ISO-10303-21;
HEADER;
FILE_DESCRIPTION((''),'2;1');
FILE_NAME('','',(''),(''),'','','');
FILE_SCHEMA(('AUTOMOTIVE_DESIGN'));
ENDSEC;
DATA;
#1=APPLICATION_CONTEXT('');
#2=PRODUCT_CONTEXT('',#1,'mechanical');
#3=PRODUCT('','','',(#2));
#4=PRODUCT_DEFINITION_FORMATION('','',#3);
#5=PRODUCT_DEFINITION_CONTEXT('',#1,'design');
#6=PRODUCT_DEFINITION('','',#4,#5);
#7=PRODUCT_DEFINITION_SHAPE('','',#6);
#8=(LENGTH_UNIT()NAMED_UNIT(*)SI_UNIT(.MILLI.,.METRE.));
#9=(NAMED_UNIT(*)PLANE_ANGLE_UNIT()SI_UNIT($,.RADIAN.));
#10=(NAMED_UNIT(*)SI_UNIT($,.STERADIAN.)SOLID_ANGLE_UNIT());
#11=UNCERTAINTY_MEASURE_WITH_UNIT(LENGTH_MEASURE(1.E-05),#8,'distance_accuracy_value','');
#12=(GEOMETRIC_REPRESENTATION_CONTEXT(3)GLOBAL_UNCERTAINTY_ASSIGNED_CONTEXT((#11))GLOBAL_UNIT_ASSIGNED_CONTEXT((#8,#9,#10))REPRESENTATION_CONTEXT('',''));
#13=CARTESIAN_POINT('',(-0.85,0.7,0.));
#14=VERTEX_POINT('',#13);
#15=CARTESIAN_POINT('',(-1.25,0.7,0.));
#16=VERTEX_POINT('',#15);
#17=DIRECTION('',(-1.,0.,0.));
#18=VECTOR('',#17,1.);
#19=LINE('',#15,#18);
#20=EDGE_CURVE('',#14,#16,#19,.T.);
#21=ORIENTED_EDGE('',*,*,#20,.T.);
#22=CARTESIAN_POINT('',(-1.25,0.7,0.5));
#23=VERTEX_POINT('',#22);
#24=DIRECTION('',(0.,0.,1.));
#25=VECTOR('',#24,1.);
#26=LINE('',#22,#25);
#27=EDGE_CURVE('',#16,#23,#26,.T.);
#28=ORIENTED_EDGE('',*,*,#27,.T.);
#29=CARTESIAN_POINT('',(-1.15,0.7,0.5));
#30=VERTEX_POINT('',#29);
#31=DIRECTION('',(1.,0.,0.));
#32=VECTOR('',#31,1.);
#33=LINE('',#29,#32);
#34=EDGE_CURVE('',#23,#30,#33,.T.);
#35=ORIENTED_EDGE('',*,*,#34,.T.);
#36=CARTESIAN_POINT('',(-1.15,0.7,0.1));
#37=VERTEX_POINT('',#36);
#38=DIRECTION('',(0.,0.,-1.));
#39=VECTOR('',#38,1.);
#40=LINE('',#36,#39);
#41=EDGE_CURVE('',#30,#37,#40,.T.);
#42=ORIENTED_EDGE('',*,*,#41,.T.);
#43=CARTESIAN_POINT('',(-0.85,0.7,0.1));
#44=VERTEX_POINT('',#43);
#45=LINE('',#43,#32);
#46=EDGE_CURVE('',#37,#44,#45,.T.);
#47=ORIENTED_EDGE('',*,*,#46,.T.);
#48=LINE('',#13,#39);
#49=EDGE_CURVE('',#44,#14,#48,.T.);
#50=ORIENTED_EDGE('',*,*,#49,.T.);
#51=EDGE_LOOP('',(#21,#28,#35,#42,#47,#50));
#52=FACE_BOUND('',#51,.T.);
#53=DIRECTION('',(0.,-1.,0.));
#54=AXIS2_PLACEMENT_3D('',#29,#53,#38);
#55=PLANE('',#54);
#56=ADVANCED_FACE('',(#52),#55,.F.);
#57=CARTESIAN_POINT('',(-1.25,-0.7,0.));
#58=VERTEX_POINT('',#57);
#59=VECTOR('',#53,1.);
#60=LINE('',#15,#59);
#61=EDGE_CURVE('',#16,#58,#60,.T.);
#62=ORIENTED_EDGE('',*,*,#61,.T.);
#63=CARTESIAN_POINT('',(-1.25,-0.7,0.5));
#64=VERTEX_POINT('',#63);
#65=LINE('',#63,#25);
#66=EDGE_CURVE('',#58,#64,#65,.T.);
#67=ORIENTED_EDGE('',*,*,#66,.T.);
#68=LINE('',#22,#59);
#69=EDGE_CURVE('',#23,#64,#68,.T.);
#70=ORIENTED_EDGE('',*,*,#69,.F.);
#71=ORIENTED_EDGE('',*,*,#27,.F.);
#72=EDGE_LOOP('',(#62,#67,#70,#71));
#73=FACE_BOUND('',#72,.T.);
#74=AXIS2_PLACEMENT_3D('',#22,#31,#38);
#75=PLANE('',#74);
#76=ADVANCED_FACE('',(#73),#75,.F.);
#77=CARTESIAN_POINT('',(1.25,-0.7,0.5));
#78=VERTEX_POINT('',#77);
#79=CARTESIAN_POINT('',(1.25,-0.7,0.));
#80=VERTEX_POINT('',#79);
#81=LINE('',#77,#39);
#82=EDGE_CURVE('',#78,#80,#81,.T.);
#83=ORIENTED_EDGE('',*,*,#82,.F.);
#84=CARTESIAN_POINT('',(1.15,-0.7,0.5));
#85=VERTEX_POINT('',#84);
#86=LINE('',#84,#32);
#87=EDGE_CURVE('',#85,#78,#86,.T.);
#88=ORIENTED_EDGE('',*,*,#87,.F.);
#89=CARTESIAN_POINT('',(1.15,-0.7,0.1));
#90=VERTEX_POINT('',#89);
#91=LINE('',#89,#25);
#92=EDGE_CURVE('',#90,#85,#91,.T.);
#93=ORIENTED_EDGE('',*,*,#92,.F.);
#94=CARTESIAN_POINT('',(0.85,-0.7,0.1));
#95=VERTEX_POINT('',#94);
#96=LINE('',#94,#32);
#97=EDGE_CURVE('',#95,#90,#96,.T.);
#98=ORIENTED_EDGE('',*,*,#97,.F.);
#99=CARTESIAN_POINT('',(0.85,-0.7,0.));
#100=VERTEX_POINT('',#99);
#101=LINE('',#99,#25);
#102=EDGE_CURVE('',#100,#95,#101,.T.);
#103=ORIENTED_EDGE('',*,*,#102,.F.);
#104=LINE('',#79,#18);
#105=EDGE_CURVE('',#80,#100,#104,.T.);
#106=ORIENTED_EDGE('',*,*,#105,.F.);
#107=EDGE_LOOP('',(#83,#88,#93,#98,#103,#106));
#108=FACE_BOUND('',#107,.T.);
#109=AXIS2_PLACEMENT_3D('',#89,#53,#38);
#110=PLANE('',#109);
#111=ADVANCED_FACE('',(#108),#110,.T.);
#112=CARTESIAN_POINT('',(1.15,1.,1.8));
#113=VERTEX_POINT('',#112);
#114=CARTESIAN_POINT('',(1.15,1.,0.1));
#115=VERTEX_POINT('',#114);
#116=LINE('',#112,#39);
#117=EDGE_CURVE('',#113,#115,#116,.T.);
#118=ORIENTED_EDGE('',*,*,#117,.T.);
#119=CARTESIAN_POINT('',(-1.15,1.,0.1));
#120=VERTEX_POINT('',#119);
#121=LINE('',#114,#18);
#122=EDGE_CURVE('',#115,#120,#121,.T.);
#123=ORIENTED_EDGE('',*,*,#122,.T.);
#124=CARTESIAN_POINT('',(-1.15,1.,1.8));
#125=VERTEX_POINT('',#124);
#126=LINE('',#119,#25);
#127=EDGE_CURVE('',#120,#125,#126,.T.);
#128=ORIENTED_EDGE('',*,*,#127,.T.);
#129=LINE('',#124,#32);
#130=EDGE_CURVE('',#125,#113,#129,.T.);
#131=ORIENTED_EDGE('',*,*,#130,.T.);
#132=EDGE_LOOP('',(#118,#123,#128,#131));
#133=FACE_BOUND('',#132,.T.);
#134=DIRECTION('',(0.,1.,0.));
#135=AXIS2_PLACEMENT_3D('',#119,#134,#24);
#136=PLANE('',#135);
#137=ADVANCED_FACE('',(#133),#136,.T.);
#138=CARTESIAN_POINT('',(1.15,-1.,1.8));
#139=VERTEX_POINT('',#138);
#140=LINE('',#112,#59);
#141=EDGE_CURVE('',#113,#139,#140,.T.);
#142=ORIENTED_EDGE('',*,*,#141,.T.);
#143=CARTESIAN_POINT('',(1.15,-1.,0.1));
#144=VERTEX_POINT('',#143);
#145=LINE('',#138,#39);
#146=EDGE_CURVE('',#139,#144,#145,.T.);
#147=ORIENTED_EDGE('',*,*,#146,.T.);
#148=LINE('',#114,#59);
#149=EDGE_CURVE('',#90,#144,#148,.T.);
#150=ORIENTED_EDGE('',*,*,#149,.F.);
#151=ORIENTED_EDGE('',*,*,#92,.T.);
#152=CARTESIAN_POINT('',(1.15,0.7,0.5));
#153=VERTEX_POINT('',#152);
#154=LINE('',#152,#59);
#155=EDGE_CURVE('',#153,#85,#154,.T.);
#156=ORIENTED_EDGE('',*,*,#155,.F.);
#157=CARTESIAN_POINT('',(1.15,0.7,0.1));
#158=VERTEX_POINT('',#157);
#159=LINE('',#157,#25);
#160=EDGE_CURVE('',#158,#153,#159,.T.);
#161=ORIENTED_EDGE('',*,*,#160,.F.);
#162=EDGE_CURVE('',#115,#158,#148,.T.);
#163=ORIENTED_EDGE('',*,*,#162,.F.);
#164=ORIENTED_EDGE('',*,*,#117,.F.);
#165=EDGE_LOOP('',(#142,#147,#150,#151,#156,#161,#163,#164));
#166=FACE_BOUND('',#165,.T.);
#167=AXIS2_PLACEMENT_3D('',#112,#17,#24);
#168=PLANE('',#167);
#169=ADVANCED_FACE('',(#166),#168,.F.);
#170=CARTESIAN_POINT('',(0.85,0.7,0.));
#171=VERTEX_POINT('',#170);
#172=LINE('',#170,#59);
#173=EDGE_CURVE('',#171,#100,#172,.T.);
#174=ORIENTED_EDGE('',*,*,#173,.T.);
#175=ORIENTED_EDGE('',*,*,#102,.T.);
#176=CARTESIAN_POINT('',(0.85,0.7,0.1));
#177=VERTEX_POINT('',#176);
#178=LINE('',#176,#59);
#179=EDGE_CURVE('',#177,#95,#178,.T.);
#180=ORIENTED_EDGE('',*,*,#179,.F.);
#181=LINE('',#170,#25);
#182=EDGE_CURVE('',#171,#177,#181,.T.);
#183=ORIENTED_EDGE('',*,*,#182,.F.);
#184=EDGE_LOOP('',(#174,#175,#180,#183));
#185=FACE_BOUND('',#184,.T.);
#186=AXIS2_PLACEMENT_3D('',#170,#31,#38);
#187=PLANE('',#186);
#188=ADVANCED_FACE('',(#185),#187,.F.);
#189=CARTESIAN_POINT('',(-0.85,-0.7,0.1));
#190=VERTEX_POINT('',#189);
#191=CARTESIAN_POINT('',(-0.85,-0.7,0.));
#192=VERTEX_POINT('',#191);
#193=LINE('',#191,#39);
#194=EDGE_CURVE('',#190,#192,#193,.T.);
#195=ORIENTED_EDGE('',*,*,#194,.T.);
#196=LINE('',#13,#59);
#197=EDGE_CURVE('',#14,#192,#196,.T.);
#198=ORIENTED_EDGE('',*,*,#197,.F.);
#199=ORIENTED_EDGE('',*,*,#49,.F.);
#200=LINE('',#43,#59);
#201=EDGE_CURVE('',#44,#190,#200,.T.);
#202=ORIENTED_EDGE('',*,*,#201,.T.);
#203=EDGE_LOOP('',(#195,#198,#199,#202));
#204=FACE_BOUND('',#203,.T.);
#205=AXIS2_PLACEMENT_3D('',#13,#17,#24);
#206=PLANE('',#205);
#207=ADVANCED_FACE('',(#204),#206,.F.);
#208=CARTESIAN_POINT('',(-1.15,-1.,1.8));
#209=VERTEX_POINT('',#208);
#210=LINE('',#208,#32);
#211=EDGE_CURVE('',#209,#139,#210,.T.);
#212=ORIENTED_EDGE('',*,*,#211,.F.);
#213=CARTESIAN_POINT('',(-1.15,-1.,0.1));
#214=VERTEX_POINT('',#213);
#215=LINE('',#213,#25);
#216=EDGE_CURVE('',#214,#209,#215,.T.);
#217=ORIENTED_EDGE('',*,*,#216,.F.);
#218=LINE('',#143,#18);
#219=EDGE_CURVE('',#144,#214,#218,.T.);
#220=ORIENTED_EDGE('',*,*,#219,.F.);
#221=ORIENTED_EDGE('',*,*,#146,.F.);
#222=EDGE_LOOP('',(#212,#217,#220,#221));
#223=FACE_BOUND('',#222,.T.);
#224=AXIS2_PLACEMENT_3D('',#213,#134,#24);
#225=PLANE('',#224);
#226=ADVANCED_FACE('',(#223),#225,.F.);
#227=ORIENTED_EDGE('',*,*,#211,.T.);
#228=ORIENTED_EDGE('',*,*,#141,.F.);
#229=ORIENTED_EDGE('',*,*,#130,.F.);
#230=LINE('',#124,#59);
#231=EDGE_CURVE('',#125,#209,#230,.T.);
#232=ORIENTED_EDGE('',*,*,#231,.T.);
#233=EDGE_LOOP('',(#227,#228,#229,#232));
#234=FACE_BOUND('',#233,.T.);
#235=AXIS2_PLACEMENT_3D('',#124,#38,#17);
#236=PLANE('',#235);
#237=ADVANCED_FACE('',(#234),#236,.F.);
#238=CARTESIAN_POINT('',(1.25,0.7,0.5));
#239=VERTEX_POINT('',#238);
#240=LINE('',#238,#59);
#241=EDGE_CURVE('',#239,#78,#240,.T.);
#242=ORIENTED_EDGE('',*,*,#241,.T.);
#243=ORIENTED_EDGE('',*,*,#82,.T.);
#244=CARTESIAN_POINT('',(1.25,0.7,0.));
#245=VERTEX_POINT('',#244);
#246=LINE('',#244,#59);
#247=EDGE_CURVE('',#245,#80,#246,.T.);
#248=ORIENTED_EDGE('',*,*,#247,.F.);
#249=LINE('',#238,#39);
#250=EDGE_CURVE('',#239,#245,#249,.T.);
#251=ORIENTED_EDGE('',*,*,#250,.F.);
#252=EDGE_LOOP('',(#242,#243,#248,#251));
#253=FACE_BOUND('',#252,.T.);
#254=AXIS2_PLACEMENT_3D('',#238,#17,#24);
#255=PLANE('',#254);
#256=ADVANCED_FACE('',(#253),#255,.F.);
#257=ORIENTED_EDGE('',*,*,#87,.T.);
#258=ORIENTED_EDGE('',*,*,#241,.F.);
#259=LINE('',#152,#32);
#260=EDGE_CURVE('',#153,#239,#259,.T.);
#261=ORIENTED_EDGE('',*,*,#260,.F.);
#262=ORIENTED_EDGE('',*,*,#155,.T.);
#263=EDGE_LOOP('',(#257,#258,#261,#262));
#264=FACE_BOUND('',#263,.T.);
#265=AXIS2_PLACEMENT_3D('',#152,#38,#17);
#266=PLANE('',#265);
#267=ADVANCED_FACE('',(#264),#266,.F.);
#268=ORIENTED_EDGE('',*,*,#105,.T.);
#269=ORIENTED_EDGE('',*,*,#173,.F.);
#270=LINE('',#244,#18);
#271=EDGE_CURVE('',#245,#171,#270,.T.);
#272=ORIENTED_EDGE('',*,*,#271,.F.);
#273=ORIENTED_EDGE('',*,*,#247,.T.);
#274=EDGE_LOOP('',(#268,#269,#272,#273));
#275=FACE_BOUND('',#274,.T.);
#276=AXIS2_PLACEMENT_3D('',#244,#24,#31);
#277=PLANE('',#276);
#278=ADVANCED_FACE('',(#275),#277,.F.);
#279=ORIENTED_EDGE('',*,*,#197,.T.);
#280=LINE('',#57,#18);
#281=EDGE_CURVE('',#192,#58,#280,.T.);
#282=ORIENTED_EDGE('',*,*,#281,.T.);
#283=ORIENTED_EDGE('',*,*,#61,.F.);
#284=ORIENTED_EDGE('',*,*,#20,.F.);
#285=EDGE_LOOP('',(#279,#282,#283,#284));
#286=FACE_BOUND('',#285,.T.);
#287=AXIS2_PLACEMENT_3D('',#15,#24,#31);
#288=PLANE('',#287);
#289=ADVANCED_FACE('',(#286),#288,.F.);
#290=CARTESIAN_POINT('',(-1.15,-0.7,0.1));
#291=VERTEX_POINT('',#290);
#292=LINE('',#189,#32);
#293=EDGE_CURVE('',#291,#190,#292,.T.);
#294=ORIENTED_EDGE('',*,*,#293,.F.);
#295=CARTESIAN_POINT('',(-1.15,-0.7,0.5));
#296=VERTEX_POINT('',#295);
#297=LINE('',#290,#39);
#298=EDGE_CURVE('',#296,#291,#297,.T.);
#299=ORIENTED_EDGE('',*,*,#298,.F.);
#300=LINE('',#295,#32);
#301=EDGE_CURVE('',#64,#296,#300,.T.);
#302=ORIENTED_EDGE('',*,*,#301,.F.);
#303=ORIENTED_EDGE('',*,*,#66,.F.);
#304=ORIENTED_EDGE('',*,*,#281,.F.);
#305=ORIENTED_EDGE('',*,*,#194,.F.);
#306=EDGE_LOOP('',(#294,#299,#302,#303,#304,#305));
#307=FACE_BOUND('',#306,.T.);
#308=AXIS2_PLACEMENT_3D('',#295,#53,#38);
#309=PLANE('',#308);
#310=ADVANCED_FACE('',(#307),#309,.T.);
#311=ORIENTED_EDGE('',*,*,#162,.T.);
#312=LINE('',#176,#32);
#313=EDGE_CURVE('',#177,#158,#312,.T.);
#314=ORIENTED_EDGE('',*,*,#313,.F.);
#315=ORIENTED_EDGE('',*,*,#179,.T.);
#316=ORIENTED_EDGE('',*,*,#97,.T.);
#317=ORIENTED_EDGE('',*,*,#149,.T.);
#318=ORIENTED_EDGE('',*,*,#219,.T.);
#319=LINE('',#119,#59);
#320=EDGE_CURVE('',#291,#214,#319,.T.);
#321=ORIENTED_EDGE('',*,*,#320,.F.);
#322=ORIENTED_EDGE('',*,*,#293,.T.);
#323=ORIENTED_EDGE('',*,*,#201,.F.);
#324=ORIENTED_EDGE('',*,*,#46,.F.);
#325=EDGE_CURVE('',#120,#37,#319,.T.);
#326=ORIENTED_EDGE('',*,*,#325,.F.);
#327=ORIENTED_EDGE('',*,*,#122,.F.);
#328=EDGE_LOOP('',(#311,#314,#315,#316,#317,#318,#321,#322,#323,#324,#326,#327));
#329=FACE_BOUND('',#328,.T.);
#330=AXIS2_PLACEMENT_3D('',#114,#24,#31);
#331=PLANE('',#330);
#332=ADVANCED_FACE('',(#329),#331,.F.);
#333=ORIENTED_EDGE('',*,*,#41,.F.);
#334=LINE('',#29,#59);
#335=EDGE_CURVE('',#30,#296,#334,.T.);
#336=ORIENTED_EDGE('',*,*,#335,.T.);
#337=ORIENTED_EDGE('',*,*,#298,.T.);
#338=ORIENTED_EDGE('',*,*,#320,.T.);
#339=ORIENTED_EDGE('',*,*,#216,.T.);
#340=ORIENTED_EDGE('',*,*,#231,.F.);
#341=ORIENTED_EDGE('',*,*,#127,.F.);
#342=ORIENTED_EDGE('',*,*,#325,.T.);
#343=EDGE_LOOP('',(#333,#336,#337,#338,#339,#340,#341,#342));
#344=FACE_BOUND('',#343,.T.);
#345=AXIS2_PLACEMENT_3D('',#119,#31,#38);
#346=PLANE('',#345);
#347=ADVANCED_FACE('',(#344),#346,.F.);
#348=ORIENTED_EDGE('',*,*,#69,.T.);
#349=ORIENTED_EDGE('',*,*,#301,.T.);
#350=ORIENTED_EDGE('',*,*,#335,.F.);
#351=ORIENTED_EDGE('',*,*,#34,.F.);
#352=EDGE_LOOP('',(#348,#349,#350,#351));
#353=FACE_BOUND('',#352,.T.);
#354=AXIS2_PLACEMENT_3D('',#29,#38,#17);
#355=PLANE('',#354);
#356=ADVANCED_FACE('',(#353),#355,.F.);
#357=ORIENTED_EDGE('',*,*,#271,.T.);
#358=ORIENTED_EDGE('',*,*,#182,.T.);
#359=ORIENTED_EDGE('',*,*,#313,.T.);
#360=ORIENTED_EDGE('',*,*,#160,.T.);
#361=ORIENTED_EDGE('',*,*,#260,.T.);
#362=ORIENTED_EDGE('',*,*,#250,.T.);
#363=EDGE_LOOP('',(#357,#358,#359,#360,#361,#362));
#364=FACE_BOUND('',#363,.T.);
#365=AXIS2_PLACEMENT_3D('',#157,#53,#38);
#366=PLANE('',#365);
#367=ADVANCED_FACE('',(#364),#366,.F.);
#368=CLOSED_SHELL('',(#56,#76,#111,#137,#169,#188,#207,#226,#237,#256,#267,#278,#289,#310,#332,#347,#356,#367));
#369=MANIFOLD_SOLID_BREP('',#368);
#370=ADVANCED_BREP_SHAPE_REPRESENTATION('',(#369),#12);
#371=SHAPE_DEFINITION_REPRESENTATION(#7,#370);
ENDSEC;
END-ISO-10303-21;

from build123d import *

# Parameters (mm, degrees)
SKETCH1_W           = 2.3
SKETCH1_H           = 1.7
BOSS_EXTRUDE1_DEPTH = 1
BOSS_EXTRUDE2_DEPTH = 0.7


with BuildPart() as part:
    # Sketch1 → Boss-Extrude1 (new, symmetric)
    with BuildSketch(Plane(origin=(0, 0, 0), x_dir=(1, 0, 0), z_dir=(0, 1, 0))):
        with Locations((0, -0.95)):
            Rectangle(SKETCH1_W, SKETCH1_H)
    extrude(amount=BOSS_EXTRUDE1_DEPTH, both=True)

    # Sketch2 → Boss-Extrude2 (add, symmetric)
    with BuildSketch(Plane(origin=(0, 0, 0), x_dir=(1, 0, 0), z_dir=(0, 1, 0))):
        Polygon((-1.15, -0.5), (-1.25, -0.5), (-1.25, 0), (-0.85, 0), (-0.85, -0.1), (-1.15, -0.1), align=None)
        Polygon((1.15, -0.1), (1.15, -0.5), (1.25, -0.5), (1.25, 0), (0.85, 0), (0.85, -0.1), align=None)
    extrude(amount=BOSS_EXTRUDE2_DEPTH, both=True)


solid = part.part
